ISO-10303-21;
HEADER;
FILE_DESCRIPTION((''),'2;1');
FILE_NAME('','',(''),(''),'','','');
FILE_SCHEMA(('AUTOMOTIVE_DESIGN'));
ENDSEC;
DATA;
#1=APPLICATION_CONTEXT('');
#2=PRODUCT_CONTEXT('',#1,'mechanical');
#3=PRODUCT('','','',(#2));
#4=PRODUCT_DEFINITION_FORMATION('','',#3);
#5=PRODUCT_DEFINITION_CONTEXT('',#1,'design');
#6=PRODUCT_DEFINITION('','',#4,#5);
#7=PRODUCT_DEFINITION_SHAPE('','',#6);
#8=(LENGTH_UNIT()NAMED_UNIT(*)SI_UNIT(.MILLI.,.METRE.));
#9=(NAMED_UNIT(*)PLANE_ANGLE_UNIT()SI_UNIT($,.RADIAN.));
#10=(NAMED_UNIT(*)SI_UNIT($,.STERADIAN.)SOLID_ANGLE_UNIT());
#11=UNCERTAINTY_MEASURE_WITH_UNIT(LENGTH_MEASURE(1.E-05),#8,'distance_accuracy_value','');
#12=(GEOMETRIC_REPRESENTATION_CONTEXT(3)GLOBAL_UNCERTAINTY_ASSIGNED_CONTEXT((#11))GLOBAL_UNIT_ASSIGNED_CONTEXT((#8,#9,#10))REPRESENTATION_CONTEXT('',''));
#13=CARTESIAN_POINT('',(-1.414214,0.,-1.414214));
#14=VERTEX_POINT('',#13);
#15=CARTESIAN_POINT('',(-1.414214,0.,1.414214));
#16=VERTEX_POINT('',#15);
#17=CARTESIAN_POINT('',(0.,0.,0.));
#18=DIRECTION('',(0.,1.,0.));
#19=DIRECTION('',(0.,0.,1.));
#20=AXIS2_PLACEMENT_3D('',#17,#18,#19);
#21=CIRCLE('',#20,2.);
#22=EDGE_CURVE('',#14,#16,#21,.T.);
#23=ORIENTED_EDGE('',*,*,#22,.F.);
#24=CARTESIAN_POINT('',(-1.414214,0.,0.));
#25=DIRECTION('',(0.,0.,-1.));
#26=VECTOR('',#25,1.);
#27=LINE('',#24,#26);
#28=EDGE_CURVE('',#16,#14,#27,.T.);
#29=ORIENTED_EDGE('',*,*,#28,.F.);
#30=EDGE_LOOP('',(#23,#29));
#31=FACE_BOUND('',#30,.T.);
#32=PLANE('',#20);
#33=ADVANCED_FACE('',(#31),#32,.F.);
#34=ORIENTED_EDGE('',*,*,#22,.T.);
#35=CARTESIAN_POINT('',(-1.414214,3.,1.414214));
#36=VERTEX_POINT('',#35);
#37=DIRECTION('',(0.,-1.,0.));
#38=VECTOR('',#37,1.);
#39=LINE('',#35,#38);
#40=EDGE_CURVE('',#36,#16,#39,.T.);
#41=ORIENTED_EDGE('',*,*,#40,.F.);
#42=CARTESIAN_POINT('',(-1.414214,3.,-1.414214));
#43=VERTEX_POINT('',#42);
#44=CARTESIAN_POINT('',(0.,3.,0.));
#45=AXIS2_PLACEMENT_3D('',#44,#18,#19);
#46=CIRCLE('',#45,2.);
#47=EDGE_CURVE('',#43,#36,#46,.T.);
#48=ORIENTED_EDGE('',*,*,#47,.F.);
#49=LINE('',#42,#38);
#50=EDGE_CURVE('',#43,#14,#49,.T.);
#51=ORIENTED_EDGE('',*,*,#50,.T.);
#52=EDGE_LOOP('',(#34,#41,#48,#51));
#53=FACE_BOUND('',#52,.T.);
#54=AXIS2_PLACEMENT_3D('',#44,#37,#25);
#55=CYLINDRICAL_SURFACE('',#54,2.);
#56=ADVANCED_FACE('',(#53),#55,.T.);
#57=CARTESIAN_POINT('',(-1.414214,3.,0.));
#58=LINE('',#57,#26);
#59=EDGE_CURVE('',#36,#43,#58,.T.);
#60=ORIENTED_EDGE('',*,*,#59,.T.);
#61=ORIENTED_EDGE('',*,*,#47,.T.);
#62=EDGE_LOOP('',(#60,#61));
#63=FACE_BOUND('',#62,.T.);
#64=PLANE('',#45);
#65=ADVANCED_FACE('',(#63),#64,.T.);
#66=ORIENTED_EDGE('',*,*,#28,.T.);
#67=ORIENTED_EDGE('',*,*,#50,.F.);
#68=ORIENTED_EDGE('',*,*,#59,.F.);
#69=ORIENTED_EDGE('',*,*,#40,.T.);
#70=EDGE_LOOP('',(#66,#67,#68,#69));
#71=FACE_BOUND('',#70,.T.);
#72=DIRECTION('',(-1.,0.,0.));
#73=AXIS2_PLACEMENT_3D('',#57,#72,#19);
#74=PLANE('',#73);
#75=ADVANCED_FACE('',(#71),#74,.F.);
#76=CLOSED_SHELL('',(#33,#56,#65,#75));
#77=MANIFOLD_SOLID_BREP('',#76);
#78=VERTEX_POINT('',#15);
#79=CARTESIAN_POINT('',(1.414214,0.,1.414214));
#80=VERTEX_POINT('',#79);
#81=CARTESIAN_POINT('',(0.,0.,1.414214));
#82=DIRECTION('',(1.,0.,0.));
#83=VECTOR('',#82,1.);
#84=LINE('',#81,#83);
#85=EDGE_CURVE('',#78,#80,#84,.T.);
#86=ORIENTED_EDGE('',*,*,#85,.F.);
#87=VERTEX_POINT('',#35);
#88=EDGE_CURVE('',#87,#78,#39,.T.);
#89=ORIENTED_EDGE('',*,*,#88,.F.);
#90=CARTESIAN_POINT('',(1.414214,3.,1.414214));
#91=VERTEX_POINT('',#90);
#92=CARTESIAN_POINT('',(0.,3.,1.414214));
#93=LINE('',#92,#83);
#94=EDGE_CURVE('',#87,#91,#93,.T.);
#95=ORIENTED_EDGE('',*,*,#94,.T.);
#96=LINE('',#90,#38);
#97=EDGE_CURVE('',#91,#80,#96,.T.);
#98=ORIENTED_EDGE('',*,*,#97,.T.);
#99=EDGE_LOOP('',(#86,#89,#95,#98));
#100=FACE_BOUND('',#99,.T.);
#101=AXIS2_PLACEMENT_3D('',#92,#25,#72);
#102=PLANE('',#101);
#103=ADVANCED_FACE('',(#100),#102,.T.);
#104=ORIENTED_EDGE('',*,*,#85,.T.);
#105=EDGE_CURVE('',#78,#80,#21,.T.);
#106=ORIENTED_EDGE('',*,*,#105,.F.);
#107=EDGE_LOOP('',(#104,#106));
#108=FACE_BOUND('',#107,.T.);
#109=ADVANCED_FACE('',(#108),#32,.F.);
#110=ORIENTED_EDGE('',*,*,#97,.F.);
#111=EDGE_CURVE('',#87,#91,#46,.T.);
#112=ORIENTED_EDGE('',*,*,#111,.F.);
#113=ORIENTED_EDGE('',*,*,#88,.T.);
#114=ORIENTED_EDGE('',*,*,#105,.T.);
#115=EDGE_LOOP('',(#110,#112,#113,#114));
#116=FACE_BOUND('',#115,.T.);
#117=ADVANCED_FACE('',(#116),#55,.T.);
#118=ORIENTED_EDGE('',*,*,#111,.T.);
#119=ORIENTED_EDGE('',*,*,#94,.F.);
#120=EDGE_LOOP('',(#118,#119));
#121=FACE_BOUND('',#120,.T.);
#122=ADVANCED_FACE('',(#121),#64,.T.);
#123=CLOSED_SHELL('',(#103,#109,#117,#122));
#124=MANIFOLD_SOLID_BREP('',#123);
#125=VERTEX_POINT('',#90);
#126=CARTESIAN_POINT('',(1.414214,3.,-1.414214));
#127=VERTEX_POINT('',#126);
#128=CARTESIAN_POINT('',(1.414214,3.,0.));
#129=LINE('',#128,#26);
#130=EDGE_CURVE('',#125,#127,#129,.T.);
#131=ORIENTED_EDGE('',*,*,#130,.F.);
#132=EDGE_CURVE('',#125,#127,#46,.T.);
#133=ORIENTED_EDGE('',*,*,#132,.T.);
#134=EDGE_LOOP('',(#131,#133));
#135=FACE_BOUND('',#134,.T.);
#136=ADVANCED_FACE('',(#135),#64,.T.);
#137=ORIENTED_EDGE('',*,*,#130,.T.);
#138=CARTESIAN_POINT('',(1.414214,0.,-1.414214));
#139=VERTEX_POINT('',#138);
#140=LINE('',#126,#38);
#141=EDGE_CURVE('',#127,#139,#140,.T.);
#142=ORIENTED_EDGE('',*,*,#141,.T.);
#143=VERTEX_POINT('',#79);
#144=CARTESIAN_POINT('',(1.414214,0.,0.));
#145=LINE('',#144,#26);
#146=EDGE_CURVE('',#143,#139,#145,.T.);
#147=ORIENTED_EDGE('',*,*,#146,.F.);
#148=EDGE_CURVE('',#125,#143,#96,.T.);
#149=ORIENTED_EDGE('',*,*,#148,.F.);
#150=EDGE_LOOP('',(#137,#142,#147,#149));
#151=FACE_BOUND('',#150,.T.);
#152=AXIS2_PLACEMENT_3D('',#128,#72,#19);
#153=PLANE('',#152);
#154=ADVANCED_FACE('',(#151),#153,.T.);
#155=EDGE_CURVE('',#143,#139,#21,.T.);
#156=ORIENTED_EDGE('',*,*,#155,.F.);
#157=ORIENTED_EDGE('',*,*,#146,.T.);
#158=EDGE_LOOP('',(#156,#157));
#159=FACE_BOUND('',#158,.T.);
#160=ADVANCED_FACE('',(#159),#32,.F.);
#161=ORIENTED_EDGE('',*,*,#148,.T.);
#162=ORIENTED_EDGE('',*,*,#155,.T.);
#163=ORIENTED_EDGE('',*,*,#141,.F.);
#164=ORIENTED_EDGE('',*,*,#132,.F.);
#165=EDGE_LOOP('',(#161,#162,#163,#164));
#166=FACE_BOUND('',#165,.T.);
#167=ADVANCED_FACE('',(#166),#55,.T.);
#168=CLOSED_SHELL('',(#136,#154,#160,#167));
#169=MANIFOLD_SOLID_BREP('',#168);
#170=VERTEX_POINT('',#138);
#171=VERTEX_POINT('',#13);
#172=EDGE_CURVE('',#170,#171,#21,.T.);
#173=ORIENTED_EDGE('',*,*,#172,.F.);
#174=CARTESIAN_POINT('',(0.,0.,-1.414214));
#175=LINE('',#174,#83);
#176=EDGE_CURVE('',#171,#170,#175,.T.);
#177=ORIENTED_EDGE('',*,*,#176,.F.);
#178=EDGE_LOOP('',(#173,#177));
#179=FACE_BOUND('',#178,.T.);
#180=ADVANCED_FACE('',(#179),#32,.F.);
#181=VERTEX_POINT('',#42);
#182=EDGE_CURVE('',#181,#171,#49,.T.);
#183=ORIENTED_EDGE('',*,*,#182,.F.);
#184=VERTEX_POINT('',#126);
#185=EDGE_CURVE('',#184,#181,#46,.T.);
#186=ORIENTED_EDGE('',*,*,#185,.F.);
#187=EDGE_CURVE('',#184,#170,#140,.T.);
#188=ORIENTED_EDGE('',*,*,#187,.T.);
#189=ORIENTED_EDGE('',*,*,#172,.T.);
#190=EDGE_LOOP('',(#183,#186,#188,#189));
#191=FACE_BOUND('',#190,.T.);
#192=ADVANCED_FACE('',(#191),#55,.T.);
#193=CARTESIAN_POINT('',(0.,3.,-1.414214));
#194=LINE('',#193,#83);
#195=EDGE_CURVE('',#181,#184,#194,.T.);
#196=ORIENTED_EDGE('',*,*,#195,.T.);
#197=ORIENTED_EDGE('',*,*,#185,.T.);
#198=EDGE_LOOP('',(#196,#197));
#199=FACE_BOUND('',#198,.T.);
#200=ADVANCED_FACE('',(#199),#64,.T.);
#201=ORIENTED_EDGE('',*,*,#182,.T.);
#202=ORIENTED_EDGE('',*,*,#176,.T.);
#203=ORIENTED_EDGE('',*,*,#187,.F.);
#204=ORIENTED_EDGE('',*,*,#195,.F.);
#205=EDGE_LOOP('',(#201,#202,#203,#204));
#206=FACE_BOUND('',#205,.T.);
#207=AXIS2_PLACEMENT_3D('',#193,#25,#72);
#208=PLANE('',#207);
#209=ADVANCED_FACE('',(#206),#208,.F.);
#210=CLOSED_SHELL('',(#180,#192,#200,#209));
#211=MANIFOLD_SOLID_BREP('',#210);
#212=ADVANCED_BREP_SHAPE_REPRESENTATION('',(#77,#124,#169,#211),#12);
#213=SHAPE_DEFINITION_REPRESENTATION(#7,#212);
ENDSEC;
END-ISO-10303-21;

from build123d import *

# Parameters (mm, degrees)
BOSS_EXTRUDE1_DEPTH   = 3
BOSS_EXTRUDE1_2_DEPTH = 3
BOSS_EXTRUDE1_3_DEPTH = 3
BOSS_EXTRUDE1_4_DEPTH = 3


with BuildPart() as part:
    # Sketch1 → Boss-Extrude1 (new body)
    with BuildSketch(Plane(origin=(0, 0, 0), x_dir=(1, 0, 0), z_dir=(0, 1, 0))):
        with BuildLine():
            ThreePointArc((1.414213562, 1.414213562), (0, 2), (-1.414213562, 1.414213562))
            Line((-1.414213562, 1.414213562), (1.414213562, 1.414213562))
        make_face()
    extrude(amount=BOSS_EXTRUDE1_DEPTH)


with BuildPart() as body_2:
    # Sketch1 → Boss-Extrude1 2 (new body)
    with BuildSketch(Plane(origin=(0, 0, 0), x_dir=(1, 0, 0), z_dir=(0, 1, 0))):
        with BuildLine():
            Line((1.414213562, 1.414213562), (1.414213562, -1.414213562))
            ThreePointArc((1.414213562, -1.414213562), (1.847759065, -0.765366865), (2, 0))
            ThreePointArc((2, 0), (1.847759065, 0.765366865), (1.414213562, 1.414213562))
        make_face()
    extrude(amount=BOSS_EXTRUDE1_2_DEPTH)


with BuildPart() as body_3:
    # Sketch1 → Boss-Extrude1 3 (new body)
    with BuildSketch(Plane(origin=(0, 0, 0), x_dir=(1, 0, 0), z_dir=(0, 1, 0))):
        with BuildLine():
            Line((1.414213562, -1.414213562), (-1.414213562, -1.414213562))
            ThreePointArc((-1.414213562, -1.414213562), (0, -2), (1.414213562, -1.414213562))
        make_face()
    extrude(amount=BOSS_EXTRUDE1_3_DEPTH)


with BuildPart() as body_4:
    # Sketch1 → Boss-Extrude1 4 (new body)
    with BuildSketch(Plane(origin=(0, 0, 0), x_dir=(1, 0, 0), z_dir=(0, 1, 0))):
        with BuildLine():
            ThreePointArc((-1.414213562, 1.414213562), (-2, 0), (-1.414213562, -1.414213562))
            Line((-1.414213562, -1.414213562), (-1.414213562, 1.414213562))
        make_face()
    extrude(amount=BOSS_EXTRUDE1_4_DEPTH)


solid = Compound([part.part, body_2.part, body_3.part, body_4.part])
